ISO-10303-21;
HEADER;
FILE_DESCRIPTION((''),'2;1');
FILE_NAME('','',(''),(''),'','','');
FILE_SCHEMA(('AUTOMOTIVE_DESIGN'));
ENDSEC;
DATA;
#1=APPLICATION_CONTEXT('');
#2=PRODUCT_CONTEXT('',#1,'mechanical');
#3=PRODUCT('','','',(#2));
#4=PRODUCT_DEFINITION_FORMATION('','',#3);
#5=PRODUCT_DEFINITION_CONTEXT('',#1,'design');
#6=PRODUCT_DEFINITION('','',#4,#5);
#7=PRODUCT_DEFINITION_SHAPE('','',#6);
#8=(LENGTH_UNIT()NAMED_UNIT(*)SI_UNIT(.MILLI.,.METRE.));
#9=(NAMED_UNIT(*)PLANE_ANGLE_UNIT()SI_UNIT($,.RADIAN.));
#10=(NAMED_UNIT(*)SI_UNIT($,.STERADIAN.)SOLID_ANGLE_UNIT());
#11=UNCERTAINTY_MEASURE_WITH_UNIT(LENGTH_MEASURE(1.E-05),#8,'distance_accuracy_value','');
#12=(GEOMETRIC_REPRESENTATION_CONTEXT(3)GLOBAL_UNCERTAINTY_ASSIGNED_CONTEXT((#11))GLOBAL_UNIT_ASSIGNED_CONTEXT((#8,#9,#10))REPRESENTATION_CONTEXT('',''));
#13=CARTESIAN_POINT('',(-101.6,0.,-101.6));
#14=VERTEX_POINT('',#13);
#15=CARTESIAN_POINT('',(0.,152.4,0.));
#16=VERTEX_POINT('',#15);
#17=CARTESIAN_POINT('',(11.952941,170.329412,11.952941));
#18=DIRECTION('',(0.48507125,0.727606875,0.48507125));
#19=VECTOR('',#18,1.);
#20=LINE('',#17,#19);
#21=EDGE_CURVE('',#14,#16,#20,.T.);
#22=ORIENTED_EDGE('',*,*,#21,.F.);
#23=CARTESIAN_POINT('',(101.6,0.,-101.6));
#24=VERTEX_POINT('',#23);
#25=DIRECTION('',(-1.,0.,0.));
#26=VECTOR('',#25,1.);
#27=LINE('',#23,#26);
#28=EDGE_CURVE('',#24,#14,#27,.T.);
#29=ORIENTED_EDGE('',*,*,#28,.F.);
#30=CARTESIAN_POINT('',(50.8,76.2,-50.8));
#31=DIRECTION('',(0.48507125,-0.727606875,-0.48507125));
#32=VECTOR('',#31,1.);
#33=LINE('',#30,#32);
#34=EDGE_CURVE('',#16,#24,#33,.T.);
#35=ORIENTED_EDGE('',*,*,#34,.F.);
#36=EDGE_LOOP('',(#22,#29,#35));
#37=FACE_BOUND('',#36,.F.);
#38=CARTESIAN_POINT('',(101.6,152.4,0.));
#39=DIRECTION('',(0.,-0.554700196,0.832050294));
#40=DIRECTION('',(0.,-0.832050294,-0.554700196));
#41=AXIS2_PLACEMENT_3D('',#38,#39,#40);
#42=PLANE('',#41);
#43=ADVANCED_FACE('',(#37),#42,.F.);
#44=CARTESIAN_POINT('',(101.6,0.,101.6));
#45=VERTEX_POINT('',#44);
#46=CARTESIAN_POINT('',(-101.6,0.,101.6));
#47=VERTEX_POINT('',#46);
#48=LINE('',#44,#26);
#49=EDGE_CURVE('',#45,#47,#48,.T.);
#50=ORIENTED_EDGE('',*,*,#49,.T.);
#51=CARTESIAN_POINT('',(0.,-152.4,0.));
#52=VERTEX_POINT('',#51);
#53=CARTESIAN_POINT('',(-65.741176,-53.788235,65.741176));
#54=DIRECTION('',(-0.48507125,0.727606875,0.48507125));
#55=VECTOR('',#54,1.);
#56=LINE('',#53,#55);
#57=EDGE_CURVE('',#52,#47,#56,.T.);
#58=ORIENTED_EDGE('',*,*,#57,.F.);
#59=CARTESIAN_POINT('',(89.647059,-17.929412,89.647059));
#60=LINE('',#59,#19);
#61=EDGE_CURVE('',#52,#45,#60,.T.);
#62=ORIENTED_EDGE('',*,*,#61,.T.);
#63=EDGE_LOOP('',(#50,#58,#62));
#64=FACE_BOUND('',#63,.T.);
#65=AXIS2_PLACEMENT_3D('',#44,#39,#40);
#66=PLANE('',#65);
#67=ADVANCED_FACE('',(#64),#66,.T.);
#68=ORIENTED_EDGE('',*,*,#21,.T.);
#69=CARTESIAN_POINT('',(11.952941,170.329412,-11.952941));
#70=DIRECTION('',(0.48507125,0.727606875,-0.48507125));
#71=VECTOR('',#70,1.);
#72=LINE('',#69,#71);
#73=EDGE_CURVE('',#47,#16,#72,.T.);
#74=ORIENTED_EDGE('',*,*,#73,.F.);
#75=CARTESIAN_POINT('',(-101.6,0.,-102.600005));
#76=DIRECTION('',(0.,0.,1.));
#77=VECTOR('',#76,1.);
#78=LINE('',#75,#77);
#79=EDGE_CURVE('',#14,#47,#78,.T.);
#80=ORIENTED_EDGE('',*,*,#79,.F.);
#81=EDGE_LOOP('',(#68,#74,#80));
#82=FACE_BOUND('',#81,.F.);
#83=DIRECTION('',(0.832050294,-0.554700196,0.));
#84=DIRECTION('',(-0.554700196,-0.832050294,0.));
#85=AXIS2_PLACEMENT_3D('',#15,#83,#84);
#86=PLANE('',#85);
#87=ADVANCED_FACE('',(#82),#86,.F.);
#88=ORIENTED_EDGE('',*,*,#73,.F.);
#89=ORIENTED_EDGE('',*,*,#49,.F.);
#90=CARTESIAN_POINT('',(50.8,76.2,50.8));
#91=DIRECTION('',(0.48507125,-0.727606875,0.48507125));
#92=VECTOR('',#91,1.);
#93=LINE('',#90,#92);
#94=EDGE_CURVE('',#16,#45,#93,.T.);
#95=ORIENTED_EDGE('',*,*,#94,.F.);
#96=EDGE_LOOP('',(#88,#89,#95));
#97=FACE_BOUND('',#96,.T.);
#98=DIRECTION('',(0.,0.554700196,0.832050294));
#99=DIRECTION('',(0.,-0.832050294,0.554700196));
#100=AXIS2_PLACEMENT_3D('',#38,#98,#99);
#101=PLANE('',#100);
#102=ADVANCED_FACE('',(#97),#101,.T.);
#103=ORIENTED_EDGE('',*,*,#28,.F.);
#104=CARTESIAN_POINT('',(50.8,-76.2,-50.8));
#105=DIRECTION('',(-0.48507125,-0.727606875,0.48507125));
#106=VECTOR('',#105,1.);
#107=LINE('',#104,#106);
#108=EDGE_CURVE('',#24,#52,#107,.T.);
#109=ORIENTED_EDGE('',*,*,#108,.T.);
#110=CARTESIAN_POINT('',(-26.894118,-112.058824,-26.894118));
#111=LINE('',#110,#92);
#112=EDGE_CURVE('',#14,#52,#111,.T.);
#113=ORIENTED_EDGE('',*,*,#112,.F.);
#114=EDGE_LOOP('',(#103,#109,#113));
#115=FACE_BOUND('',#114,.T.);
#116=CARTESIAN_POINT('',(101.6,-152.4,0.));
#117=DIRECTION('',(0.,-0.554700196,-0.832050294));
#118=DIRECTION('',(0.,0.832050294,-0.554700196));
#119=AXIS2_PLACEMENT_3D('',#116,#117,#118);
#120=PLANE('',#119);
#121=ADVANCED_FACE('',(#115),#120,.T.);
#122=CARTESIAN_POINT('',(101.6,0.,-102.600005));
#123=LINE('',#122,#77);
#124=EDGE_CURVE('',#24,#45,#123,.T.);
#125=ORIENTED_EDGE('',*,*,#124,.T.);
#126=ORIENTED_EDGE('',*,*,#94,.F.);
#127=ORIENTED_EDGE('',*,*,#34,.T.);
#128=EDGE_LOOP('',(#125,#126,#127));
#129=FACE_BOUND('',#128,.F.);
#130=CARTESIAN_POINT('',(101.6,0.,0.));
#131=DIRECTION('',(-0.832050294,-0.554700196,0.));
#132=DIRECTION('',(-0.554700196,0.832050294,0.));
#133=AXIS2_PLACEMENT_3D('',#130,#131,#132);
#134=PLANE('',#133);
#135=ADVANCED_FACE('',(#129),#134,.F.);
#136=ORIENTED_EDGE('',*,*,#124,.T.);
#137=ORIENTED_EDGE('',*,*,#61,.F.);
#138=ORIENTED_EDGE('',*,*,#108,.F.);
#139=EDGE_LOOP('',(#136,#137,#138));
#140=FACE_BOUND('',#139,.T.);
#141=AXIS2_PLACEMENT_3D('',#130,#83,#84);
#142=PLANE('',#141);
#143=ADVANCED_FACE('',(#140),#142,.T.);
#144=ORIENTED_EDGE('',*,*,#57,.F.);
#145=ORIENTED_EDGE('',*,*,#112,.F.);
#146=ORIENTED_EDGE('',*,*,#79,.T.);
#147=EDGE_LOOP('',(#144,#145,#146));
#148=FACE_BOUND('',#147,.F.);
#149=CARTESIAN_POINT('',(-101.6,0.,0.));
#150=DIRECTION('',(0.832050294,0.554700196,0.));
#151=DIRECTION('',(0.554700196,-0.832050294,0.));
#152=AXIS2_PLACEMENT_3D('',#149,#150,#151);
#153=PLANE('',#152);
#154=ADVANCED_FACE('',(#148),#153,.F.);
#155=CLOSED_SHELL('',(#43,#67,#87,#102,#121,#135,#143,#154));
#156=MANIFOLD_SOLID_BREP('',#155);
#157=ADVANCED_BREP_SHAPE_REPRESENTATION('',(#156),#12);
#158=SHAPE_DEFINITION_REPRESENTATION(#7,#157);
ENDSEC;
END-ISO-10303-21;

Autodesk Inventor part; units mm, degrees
ref_plane "YZ Plane" through (0, 0, 0) normal (1, 0, 0) x (0, 1, 0)
ref_plane "XZ Plane" through (0, 0, 0) normal (0, 1, 0) x (-1, 0, 0)
ref_plane "XY Plane" through (0, 0, 0) normal (0, 0, 1) x (1, 0, 0)
sketch "Sketch1" plane through (0, 0, 0) normal (0, 1, 0) x (-1, 0, 0)
  line L0 (-101.6, -101.6) -> (101.6, -101.6)
  line L1 (101.6, -101.6) -> (101.6, 101.6)
  line L2 (101.6, 101.6) -> (-101.6, 101.6)
  line L3 (-101.6, 101.6) -> (-101.6, -101.6)
  line L4 (-101.6, -101.6) -> (101.6, 101.6) construction
  line L5 (101.6, -101.6) -> (-101.6, 101.6) construction
  point P0 (0, 0)
  dimension "d0" = 203.2
  dimension "d1" = 203.2
extrude "Extrusion1" add sketch "Sketch1" along normal mid plane 304.8
sketch "Sketch2" plane through (101.6, -152.4, -101.6) normal (1, 0, 0) x (0, 0, -1)
  line L0 (0, 304.8) -> (-203.2, 304.8) projected
  line L1 (-101.6, 304.8) -> (-203.2, 152.4)
  line L2 (-203.2, 0) -> (-203.2, 304.8) projected
  line L3 (-203.2, 152.4) -> (-101.6, 0)
  line L4 (0, 0) -> (-203.2, 0) projected
  line L5 (-101.6, 0) -> (0, 152.4)
  line L6 (0, 0) -> (0, 304.8) projected
  line L7 (-101.6, 304.8) -> (0, 152.4)
  point P0 (-101.6, 152.4)
extrude "Extrusion2" cut sketch "Sketch2" against normal blind 304.8 contours L6 L7 L0 | L1 L2 L0 | L6 L4 L5 | L3 L4 L2
sketch "Sketch3" plane through (0, 0, 0) normal (0, 0, 1) x (1, 0, 0)
  line L0 (-101.6, 152.4) -> (101.6, 152.4) projected
  line L1 (0, 152.4) -> (-101.6, 0)
  line L2 (-101.6, 0) -> (0, -152.4)
  line L3 (-101.6, -152.4) -> (101.6, -152.4) projected
  line L4 (101.6, 0) -> (101.6, -152.4) projected
  line L5 (101.6, 0) -> (0, 152.4)
  line L6 (101.6, 0) -> (0, -152.4)
  line L7 (-101.6, 0) -> (-101.6, 152.4) projected
  line L8 (-101.6, 0) -> (101.6, 0) projected
  line L9 (101.6, 152.4) -> (101.6, 0) projected
  line L10 (-101.6, 152.4) -> (101.6, 152.4) projected
  line L11 (-101.6, -152.4) -> (-101.6, 0) projected
  line L12 (-101.6, -152.4) -> (101.6, -152.4) projected
  line L13 (101.6, 0) -> (101.6, -152.4) projected
  line L14 (-101.6, 0) -> (101.6, 0) projected
  point P0 (0, 0)
extrude "Extrusion3" cut sketch "Sketch3" along normal through all both and the other way through all contours L0 L1 L7 | L0 L9 L5 | L2 L3 L11 | L4 L3 L6
properties part number "Dice, Simplified" material "PVC-Piping"
